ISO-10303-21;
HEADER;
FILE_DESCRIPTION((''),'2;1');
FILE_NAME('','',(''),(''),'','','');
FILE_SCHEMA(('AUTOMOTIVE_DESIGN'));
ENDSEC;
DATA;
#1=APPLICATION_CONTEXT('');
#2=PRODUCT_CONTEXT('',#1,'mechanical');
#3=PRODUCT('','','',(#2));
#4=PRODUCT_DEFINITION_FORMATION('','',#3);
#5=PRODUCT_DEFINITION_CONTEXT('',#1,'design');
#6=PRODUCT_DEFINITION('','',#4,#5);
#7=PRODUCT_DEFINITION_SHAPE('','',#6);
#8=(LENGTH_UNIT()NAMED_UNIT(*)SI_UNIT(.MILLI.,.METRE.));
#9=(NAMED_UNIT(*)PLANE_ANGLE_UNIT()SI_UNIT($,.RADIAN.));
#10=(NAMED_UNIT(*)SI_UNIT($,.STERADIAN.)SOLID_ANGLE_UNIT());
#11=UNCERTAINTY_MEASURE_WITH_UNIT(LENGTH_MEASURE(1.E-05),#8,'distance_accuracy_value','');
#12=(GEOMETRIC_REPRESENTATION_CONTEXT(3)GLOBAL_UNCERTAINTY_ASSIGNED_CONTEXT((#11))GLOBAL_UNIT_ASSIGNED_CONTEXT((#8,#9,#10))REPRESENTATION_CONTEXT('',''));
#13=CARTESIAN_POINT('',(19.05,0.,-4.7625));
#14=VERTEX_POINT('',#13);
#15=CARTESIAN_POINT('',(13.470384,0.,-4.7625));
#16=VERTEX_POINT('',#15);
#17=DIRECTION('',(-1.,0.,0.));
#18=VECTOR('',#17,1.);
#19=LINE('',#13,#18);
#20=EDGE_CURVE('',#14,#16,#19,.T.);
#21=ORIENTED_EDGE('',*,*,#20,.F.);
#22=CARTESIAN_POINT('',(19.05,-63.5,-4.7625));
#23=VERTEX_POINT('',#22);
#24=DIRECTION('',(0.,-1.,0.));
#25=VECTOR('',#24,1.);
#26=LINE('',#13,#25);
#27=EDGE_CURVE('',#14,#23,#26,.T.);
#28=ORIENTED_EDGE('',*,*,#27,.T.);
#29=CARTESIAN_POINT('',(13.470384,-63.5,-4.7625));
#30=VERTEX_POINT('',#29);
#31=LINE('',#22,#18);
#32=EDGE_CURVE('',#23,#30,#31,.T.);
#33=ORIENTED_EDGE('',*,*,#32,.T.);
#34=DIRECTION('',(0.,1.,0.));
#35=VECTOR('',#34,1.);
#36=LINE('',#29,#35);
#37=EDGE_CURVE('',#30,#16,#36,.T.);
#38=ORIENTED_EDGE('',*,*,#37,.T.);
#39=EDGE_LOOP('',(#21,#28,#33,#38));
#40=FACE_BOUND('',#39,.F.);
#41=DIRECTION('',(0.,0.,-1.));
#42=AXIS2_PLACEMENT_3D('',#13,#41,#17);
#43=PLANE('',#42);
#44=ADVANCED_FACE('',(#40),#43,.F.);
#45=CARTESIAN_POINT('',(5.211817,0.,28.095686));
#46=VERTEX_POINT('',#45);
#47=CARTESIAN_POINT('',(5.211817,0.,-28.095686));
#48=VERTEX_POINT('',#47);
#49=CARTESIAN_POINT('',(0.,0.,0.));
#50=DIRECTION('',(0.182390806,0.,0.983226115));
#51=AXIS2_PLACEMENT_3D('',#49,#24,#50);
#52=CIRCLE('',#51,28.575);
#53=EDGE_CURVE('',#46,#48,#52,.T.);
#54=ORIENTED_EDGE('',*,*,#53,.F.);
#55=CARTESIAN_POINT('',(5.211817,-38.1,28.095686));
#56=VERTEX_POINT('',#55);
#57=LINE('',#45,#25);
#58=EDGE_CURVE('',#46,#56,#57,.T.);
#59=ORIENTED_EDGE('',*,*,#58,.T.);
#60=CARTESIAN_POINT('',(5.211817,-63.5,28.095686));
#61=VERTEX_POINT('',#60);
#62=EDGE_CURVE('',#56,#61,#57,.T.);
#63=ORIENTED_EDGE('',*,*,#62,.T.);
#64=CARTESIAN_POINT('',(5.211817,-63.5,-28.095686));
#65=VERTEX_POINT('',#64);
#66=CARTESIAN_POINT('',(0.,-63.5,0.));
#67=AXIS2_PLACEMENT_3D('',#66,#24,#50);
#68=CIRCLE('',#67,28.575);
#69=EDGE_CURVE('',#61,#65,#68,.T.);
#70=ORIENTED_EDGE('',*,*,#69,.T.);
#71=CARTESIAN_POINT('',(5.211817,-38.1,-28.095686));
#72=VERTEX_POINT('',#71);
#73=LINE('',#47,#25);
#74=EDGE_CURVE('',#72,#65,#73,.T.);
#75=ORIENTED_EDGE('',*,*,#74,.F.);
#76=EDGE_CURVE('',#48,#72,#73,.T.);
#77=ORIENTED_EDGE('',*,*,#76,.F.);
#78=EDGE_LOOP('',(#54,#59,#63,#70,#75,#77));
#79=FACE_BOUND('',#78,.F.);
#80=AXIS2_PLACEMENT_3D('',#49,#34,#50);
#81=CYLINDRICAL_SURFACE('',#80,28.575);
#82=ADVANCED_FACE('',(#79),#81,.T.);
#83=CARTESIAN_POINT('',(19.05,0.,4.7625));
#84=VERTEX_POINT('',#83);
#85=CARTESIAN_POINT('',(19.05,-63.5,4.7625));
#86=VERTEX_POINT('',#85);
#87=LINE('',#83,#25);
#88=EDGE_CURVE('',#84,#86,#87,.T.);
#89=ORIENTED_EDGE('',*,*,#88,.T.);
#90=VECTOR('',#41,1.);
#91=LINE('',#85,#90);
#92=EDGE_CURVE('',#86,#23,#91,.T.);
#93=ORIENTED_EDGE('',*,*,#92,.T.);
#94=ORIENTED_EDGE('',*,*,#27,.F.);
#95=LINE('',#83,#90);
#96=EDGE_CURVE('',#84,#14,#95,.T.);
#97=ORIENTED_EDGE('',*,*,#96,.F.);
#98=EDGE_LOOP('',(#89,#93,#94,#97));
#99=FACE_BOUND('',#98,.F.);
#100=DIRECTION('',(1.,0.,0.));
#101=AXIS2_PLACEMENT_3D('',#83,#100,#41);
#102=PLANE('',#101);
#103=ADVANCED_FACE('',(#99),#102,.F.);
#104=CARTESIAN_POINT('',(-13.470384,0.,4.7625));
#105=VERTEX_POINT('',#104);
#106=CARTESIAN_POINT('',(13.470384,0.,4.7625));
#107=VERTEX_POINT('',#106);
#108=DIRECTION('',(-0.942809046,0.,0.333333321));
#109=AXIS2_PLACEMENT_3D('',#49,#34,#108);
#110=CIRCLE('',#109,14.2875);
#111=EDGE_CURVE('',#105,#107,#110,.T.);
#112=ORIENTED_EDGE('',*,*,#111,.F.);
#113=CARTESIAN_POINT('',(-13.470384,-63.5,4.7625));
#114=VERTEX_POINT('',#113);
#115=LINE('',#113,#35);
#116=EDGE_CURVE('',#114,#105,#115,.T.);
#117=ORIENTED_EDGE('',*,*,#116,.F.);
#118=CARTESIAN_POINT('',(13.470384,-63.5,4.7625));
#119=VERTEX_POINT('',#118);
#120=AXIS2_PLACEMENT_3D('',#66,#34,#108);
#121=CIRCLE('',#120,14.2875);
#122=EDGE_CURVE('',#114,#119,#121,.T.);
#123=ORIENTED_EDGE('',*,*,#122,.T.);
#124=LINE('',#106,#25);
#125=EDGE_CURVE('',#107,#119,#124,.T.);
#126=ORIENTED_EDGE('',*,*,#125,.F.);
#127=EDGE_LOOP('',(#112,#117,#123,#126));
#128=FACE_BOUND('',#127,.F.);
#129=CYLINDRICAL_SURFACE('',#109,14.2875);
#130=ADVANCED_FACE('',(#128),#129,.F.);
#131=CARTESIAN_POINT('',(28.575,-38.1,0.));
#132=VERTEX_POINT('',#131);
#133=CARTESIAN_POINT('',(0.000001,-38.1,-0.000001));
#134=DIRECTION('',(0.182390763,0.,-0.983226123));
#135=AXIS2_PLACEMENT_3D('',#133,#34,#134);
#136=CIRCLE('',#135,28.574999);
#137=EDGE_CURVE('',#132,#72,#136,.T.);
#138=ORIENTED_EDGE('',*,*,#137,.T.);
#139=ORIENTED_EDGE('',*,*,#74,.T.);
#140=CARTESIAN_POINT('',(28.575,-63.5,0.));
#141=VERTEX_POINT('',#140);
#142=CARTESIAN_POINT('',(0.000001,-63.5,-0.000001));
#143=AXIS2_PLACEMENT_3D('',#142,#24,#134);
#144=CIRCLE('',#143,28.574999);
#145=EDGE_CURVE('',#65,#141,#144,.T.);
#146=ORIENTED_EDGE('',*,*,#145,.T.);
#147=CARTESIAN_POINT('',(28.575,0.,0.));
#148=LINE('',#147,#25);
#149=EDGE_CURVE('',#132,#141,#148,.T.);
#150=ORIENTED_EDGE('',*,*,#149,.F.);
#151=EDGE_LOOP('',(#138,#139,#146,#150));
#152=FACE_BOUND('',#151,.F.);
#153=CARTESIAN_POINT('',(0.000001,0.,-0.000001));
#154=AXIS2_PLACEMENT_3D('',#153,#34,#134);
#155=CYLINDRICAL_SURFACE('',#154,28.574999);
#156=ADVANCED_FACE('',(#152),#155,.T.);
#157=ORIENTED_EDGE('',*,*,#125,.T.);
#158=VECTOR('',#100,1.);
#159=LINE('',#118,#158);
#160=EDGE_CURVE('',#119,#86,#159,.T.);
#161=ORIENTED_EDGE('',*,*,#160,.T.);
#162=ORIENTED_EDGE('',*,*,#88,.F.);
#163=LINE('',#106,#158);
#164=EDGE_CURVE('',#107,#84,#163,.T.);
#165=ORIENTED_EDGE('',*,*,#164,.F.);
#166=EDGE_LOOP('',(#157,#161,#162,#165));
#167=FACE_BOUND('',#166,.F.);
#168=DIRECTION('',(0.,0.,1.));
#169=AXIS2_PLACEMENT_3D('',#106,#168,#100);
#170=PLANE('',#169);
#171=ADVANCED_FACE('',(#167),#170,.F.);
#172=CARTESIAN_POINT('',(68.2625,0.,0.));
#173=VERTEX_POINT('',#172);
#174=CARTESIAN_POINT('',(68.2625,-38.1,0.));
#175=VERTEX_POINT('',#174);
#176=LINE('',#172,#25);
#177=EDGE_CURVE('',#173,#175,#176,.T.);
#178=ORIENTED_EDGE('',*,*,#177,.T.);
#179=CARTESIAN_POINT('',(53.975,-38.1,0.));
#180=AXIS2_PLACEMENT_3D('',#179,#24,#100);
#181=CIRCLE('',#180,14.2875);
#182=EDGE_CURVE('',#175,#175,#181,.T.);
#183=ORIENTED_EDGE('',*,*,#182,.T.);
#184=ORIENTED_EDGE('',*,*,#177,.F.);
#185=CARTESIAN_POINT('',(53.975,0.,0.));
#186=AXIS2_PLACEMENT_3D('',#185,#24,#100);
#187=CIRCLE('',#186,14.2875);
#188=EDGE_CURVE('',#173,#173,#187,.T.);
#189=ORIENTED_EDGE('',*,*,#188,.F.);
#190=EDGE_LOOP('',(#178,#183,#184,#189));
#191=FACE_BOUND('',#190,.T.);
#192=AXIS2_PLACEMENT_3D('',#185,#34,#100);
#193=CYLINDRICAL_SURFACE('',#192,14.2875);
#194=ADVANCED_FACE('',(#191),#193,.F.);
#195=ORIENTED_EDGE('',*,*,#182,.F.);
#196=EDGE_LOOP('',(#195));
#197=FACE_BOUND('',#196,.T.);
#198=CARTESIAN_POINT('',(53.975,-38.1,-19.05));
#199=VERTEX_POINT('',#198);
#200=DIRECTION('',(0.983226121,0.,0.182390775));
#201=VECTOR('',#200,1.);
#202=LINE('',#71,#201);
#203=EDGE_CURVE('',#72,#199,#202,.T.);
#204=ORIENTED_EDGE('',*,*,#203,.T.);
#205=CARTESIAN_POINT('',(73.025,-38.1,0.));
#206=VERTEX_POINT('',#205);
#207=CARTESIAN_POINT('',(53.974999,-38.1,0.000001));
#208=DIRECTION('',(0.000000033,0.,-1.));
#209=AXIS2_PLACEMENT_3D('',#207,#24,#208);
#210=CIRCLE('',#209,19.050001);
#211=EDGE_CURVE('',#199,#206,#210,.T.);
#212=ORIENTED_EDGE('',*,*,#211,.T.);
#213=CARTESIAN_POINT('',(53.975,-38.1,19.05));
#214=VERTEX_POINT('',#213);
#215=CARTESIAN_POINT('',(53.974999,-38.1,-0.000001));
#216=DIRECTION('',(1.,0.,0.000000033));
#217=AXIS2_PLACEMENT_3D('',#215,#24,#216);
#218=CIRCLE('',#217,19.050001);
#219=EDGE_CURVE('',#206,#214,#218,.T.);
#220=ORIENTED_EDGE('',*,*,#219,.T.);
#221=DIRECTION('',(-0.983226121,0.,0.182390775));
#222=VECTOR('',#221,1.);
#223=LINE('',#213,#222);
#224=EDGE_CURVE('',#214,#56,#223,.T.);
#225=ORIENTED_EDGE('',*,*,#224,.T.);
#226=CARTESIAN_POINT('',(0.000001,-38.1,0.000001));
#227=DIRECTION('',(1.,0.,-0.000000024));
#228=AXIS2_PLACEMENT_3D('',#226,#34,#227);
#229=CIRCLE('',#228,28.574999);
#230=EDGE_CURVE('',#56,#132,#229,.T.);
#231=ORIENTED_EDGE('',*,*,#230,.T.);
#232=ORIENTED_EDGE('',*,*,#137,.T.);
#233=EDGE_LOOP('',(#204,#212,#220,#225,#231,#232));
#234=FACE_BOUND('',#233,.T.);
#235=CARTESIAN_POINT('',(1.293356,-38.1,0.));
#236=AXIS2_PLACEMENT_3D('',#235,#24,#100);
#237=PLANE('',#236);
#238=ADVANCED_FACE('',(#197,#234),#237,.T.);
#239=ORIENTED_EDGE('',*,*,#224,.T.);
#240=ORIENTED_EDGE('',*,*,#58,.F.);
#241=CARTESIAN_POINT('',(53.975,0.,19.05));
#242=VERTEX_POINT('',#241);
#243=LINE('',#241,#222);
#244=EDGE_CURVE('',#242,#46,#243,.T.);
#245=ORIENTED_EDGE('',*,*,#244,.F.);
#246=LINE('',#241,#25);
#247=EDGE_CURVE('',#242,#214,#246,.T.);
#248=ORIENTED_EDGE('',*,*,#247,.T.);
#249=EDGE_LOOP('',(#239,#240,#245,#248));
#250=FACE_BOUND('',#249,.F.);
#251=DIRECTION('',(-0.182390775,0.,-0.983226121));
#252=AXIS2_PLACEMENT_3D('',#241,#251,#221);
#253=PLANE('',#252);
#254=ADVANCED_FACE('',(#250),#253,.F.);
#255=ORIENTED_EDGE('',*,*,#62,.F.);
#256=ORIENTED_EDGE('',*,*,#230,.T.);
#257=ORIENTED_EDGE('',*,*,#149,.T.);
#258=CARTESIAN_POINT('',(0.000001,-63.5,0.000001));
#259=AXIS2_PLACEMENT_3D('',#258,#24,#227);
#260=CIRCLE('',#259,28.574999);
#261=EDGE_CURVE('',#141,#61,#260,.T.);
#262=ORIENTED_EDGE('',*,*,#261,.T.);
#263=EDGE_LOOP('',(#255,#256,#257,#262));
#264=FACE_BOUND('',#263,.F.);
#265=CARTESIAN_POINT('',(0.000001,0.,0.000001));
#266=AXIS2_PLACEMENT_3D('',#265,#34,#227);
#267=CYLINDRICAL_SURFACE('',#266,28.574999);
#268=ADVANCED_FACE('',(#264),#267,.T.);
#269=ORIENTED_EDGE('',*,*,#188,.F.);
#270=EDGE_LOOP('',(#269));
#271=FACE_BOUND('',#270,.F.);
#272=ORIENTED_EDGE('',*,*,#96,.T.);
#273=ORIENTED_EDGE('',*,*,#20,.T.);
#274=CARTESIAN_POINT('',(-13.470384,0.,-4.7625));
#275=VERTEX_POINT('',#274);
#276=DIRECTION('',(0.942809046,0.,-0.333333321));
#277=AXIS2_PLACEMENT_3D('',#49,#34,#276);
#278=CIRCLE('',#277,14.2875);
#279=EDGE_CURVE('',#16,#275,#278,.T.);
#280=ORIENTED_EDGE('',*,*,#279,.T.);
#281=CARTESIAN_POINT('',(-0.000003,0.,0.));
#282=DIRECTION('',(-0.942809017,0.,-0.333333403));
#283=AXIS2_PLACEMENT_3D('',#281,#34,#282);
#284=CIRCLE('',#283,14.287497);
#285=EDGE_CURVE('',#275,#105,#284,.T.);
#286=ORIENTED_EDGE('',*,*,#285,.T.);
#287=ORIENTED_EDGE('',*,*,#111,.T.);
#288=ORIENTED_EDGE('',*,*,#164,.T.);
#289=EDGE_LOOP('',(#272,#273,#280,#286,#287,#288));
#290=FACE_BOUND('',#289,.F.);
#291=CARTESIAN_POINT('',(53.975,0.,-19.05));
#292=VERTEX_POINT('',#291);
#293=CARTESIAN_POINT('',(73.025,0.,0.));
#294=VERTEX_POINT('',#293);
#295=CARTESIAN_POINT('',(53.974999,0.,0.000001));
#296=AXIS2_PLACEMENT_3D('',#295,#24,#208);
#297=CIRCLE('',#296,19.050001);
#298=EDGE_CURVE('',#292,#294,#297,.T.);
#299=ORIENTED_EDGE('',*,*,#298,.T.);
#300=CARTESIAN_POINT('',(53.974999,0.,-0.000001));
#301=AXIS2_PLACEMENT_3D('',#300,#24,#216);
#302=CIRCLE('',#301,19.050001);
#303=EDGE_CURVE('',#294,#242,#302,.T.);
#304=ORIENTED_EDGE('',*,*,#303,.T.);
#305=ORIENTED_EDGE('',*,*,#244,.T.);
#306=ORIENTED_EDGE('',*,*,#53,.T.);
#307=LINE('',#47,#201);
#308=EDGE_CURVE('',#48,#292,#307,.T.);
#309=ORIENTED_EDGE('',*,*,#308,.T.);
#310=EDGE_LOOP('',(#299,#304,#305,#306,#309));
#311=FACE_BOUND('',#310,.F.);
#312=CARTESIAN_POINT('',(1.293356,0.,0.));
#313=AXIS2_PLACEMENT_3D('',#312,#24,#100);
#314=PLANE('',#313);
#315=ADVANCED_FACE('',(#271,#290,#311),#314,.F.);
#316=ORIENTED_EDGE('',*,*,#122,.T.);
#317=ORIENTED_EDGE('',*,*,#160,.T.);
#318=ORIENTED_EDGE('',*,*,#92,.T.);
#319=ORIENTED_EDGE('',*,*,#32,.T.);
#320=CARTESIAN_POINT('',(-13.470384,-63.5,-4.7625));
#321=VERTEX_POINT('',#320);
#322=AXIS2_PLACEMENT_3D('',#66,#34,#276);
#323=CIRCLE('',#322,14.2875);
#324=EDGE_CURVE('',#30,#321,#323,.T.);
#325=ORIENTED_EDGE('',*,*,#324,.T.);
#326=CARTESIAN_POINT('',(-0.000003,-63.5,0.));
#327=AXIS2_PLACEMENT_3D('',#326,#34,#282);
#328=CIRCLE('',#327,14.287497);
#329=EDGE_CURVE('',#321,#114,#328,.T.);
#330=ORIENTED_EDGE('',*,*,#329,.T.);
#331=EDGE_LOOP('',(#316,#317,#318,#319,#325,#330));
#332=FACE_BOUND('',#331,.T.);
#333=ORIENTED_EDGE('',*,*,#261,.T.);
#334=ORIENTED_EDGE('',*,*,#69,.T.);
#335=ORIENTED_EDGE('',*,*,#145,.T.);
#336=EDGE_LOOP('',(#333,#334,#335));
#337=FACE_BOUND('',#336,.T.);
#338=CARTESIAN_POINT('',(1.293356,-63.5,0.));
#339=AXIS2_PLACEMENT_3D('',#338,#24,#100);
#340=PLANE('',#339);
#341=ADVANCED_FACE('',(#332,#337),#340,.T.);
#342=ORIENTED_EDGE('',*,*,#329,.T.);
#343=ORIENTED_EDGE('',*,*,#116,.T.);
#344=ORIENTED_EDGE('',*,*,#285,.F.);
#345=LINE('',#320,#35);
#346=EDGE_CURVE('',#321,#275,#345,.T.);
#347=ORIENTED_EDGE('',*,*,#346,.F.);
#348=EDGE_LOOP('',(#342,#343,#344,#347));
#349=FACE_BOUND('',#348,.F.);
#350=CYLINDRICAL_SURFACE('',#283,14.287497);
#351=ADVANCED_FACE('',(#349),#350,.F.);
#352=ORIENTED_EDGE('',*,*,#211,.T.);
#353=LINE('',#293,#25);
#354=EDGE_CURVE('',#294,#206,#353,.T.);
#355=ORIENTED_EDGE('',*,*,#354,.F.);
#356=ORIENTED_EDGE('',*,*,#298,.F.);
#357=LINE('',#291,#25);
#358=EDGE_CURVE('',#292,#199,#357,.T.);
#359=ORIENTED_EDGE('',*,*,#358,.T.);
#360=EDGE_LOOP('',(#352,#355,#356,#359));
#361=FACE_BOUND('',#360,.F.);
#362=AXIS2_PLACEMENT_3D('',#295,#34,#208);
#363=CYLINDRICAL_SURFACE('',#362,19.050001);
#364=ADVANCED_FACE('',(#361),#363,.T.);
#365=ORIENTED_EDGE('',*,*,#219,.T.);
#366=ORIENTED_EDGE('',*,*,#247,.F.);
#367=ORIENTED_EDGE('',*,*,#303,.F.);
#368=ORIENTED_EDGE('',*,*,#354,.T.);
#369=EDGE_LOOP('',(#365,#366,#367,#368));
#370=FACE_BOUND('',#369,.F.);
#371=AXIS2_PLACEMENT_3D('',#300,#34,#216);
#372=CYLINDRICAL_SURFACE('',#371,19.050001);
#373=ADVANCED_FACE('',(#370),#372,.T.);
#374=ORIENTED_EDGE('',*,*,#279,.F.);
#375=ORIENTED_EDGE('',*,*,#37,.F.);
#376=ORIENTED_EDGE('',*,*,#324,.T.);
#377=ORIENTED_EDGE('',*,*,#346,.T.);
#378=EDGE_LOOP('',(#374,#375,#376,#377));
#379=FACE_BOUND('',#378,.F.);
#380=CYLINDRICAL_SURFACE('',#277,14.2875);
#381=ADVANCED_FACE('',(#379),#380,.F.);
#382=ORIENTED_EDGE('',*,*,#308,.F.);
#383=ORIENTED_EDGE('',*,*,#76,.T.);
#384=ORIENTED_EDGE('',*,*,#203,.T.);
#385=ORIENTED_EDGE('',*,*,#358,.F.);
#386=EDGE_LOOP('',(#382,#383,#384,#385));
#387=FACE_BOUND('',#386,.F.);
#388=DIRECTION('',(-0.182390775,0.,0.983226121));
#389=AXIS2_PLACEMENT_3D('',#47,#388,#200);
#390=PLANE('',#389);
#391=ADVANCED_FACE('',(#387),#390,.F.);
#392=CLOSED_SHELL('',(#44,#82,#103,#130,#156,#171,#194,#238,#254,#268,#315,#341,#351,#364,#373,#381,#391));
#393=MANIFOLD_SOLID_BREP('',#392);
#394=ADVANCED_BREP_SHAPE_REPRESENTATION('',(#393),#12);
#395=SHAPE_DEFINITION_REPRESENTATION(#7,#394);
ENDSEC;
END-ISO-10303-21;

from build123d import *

# Parameters (mm, degrees)
F0_R     = 14.2875
F1_DEPTH = 38.1
F2_DEPTH = 63.5


with BuildPart() as f1:
    # F0 (on Front) → F1 (new body)
    with BuildSketch(Plane.XZ):
        with BuildLine():
            ThreePointArc((5.211817, -28.095686), (21.971098, -18.270235), (28.575, 0))
            ThreePointArc((28.575, 0), (21.971098, 18.270235), (5.211817, 28.095686))
            ThreePointArc((5.211817, 28.095686), (-28.575, 0), (5.211817, -28.095686))
        make_face()
        with BuildLine():
            ThreePointArc((-13.470384, 4.7625), (0, 14.2875), (13.470384, 4.7625))
            Line((13.470384, 4.7625), (19.05, 4.7625))
            Line((19.05, 4.7625), (19.05, -4.7625))
            Line((19.05, -4.7625), (13.470384, -4.7625))
            ThreePointArc((13.470384, -4.7625), (0, -14.2875), (-13.470384, -4.7625))
            Line((-13.470384, -4.7625), (-19.05, -4.7625))
            Line((-19.05, -4.7625), (-19.05, 4.7625))
            Line((-19.05, 4.7625), (-13.470384, 4.7625))
        make_face(mode=Mode.SUBTRACT)
        with BuildLine():
            ThreePointArc((5.211817, 28.095686), (21.971098, 18.270235), (28.575, 0))
            ThreePointArc((28.575, 0), (21.971098, -18.270235), (5.211817, -28.095686))
            Line((5.211817, -28.095686), (53.975, -19.05))
            ThreePointArc((53.975, -19.05), (34.925, 0), (53.975, 19.05))
            Line((53.975, 19.05), (5.211817, 28.095686))
        make_face()
        with BuildLine():
            ThreePointArc((73.025, 0), (67.445384, 13.470384), (53.975, 19.05))
            ThreePointArc((53.975, 19.05), (34.925, 0), (53.975, -19.05))
            ThreePointArc((53.975, -19.05), (67.445384, -13.470384), (73.025, 0))
        make_face()
        with Locations((53.975, 0)):
            Circle(F0_R, mode=Mode.SUBTRACT)
        with BuildLine():
            ThreePointArc((-13.470384, -4.7625), (-14.2875, 0), (-13.470384, 4.7625))
            Line((-13.470384, 4.7625), (-19.05, 4.7625))
            Line((-19.05, 4.7625), (-19.05, -4.7625))
            Line((-19.05, -4.7625), (-13.470384, -4.7625))
        make_face()
    extrude(amount=F1_DEPTH)

    # F0 (on Front) → F2 (join)
    with BuildSketch(Plane.XZ):
        with BuildLine():
            ThreePointArc((5.211817, -28.095686), (21.971098, -18.270235), (28.575, 0))
            ThreePointArc((28.575, 0), (21.971098, 18.270235), (5.211817, 28.095686))
            ThreePointArc((5.211817, 28.095686), (-28.575, 0), (5.211817, -28.095686))
        make_face()
        with BuildLine():
            ThreePointArc((-13.470384, 4.7625), (0, 14.2875), (13.470384, 4.7625))
            Line((13.470384, 4.7625), (19.05, 4.7625))
            Line((19.05, 4.7625), (19.05, -4.7625))
            Line((19.05, -4.7625), (13.470384, -4.7625))
            ThreePointArc((13.470384, -4.7625), (0, -14.2875), (-13.470384, -4.7625))
            Line((-13.470384, -4.7625), (-19.05, -4.7625))
            Line((-19.05, -4.7625), (-19.05, 4.7625))
            Line((-19.05, 4.7625), (-13.470384, 4.7625))
        make_face(mode=Mode.SUBTRACT)
        with BuildLine():
            ThreePointArc((-13.470384, -4.7625), (-14.2875, 0), (-13.470384, 4.7625))
            Line((-13.470384, 4.7625), (-19.05, 4.7625))
            Line((-19.05, 4.7625), (-19.05, -4.7625))
            Line((-19.05, -4.7625), (-13.470384, -4.7625))
        make_face()
    extrude(amount=F2_DEPTH)


solid = f1.part
